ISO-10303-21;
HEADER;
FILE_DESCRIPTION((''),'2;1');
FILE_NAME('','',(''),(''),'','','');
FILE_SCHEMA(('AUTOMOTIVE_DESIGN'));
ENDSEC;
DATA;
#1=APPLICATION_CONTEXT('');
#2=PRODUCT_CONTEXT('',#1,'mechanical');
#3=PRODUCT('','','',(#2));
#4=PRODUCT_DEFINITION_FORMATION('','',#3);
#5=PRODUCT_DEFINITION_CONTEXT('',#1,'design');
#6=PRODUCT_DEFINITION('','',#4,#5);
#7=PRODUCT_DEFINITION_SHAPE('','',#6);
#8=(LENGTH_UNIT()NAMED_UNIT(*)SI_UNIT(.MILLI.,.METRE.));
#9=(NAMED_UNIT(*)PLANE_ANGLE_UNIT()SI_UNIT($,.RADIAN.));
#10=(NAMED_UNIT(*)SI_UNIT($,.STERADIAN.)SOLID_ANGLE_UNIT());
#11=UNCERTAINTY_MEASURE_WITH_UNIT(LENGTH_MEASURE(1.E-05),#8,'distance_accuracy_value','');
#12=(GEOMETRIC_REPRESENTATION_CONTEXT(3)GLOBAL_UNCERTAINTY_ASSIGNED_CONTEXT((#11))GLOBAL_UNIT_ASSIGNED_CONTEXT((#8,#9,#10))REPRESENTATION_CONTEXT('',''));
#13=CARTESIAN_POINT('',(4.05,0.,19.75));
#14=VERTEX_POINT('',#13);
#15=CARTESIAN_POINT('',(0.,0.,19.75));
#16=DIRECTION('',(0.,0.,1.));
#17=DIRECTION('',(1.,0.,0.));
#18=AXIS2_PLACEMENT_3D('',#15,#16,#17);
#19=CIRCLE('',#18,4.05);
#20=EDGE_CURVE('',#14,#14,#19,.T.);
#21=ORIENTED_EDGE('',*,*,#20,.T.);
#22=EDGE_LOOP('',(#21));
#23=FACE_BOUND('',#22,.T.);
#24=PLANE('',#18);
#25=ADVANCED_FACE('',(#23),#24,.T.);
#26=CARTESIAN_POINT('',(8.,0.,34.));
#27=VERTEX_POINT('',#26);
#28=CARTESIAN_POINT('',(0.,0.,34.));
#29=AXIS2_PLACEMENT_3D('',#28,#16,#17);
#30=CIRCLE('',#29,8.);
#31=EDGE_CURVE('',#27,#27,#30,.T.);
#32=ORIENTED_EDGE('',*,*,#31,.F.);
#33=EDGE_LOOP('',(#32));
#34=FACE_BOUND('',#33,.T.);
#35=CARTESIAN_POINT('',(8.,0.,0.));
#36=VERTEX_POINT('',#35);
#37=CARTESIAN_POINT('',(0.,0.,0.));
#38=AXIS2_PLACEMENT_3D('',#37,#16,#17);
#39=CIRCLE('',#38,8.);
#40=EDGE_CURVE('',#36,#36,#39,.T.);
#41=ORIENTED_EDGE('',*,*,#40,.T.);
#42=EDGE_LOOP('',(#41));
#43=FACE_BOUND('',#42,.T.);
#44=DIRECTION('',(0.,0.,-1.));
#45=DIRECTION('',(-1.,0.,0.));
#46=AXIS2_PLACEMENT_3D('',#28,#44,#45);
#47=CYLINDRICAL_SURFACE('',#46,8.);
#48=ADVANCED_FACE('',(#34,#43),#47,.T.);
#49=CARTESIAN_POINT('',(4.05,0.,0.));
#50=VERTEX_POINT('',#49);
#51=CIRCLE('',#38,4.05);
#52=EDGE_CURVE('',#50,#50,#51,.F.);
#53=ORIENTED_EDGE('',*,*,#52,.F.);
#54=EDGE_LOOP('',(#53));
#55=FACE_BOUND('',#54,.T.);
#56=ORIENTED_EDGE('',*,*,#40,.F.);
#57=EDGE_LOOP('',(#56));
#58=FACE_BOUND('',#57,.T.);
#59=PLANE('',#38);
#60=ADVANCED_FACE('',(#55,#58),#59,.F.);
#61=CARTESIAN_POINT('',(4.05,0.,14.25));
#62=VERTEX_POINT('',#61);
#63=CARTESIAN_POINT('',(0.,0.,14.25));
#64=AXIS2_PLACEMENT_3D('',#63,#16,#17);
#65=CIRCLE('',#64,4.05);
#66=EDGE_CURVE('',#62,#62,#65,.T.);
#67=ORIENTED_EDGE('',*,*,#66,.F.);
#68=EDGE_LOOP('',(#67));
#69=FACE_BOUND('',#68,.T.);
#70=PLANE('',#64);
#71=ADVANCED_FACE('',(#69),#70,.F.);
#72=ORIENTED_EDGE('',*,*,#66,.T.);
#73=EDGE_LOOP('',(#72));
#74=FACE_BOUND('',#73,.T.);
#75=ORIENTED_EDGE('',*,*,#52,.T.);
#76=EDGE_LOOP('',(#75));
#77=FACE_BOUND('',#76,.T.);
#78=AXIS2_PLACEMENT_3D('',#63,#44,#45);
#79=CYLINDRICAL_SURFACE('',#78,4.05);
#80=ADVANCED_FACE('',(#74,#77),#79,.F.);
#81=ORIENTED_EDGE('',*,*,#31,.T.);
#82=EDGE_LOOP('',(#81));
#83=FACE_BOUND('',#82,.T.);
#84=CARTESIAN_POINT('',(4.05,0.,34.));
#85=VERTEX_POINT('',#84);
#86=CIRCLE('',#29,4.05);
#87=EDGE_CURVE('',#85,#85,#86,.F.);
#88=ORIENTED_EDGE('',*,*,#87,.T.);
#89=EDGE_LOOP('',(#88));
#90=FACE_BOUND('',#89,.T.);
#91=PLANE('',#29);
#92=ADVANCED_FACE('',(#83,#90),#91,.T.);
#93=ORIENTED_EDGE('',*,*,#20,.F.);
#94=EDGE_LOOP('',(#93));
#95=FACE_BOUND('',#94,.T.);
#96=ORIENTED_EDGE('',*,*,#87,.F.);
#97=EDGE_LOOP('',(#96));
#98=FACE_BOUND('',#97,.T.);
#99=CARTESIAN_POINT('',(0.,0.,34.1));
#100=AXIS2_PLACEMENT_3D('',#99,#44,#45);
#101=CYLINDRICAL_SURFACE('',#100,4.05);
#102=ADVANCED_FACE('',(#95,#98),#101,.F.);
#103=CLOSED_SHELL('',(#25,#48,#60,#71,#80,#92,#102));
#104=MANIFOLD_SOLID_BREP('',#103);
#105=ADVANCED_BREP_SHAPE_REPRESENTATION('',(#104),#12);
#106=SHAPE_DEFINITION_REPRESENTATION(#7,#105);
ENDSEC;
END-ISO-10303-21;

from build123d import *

# Parameters (mm, degrees)
S01_SOLID_POST_BLANK_16_MM_R             = 8
F_01_SOLID_POST_BLANK_16_MM_DEPTH        = 34
F_02_START                               = -0.1
S02_REAR_M6_HEAT_SET_INSERT_SEAT_R       = 4.05
F_02_REAR_M6_HEAT_SET_INSERT_SEAT_DEPTH  = 14.35
F_03_START                               = 19.75
S03_FRONT_M6_HEAT_SET_INSERT_SEAT_R      = 4.05
F_03_FRONT_M6_HEAT_SET_INSERT_SEAT_DEPTH = 14.35


with BuildPart() as part:
    # S01 - Solid post blank - 16 mm → 01 - Solid post blank - 16 mm (new body)
    with BuildSketch(Plane.XY):
        Circle(S01_SOLID_POST_BLANK_16_MM_R)
    extrude(amount=F_01_SOLID_POST_BLANK_16_MM_DEPTH)

    # S02 - Rear M6 heat-set insert seat → 02 - Rear M6 heat-set insert seat (cut)
    with BuildSketch(Plane.XY.offset(F_02_START)):
        Circle(S02_REAR_M6_HEAT_SET_INSERT_SEAT_R)
    extrude(amount=F_02_REAR_M6_HEAT_SET_INSERT_SEAT_DEPTH, mode=Mode.SUBTRACT)

    # S03 - Front M6 heat-set insert seat → 03 - Front M6 heat-set insert seat (cut)
    with BuildSketch(Plane.XY.offset(F_03_START)):
        Circle(S03_FRONT_M6_HEAT_SET_INSERT_SEAT_R)
    extrude(amount=F_03_FRONT_M6_HEAT_SET_INSERT_SEAT_DEPTH, mode=Mode.SUBTRACT)


solid = part.part
